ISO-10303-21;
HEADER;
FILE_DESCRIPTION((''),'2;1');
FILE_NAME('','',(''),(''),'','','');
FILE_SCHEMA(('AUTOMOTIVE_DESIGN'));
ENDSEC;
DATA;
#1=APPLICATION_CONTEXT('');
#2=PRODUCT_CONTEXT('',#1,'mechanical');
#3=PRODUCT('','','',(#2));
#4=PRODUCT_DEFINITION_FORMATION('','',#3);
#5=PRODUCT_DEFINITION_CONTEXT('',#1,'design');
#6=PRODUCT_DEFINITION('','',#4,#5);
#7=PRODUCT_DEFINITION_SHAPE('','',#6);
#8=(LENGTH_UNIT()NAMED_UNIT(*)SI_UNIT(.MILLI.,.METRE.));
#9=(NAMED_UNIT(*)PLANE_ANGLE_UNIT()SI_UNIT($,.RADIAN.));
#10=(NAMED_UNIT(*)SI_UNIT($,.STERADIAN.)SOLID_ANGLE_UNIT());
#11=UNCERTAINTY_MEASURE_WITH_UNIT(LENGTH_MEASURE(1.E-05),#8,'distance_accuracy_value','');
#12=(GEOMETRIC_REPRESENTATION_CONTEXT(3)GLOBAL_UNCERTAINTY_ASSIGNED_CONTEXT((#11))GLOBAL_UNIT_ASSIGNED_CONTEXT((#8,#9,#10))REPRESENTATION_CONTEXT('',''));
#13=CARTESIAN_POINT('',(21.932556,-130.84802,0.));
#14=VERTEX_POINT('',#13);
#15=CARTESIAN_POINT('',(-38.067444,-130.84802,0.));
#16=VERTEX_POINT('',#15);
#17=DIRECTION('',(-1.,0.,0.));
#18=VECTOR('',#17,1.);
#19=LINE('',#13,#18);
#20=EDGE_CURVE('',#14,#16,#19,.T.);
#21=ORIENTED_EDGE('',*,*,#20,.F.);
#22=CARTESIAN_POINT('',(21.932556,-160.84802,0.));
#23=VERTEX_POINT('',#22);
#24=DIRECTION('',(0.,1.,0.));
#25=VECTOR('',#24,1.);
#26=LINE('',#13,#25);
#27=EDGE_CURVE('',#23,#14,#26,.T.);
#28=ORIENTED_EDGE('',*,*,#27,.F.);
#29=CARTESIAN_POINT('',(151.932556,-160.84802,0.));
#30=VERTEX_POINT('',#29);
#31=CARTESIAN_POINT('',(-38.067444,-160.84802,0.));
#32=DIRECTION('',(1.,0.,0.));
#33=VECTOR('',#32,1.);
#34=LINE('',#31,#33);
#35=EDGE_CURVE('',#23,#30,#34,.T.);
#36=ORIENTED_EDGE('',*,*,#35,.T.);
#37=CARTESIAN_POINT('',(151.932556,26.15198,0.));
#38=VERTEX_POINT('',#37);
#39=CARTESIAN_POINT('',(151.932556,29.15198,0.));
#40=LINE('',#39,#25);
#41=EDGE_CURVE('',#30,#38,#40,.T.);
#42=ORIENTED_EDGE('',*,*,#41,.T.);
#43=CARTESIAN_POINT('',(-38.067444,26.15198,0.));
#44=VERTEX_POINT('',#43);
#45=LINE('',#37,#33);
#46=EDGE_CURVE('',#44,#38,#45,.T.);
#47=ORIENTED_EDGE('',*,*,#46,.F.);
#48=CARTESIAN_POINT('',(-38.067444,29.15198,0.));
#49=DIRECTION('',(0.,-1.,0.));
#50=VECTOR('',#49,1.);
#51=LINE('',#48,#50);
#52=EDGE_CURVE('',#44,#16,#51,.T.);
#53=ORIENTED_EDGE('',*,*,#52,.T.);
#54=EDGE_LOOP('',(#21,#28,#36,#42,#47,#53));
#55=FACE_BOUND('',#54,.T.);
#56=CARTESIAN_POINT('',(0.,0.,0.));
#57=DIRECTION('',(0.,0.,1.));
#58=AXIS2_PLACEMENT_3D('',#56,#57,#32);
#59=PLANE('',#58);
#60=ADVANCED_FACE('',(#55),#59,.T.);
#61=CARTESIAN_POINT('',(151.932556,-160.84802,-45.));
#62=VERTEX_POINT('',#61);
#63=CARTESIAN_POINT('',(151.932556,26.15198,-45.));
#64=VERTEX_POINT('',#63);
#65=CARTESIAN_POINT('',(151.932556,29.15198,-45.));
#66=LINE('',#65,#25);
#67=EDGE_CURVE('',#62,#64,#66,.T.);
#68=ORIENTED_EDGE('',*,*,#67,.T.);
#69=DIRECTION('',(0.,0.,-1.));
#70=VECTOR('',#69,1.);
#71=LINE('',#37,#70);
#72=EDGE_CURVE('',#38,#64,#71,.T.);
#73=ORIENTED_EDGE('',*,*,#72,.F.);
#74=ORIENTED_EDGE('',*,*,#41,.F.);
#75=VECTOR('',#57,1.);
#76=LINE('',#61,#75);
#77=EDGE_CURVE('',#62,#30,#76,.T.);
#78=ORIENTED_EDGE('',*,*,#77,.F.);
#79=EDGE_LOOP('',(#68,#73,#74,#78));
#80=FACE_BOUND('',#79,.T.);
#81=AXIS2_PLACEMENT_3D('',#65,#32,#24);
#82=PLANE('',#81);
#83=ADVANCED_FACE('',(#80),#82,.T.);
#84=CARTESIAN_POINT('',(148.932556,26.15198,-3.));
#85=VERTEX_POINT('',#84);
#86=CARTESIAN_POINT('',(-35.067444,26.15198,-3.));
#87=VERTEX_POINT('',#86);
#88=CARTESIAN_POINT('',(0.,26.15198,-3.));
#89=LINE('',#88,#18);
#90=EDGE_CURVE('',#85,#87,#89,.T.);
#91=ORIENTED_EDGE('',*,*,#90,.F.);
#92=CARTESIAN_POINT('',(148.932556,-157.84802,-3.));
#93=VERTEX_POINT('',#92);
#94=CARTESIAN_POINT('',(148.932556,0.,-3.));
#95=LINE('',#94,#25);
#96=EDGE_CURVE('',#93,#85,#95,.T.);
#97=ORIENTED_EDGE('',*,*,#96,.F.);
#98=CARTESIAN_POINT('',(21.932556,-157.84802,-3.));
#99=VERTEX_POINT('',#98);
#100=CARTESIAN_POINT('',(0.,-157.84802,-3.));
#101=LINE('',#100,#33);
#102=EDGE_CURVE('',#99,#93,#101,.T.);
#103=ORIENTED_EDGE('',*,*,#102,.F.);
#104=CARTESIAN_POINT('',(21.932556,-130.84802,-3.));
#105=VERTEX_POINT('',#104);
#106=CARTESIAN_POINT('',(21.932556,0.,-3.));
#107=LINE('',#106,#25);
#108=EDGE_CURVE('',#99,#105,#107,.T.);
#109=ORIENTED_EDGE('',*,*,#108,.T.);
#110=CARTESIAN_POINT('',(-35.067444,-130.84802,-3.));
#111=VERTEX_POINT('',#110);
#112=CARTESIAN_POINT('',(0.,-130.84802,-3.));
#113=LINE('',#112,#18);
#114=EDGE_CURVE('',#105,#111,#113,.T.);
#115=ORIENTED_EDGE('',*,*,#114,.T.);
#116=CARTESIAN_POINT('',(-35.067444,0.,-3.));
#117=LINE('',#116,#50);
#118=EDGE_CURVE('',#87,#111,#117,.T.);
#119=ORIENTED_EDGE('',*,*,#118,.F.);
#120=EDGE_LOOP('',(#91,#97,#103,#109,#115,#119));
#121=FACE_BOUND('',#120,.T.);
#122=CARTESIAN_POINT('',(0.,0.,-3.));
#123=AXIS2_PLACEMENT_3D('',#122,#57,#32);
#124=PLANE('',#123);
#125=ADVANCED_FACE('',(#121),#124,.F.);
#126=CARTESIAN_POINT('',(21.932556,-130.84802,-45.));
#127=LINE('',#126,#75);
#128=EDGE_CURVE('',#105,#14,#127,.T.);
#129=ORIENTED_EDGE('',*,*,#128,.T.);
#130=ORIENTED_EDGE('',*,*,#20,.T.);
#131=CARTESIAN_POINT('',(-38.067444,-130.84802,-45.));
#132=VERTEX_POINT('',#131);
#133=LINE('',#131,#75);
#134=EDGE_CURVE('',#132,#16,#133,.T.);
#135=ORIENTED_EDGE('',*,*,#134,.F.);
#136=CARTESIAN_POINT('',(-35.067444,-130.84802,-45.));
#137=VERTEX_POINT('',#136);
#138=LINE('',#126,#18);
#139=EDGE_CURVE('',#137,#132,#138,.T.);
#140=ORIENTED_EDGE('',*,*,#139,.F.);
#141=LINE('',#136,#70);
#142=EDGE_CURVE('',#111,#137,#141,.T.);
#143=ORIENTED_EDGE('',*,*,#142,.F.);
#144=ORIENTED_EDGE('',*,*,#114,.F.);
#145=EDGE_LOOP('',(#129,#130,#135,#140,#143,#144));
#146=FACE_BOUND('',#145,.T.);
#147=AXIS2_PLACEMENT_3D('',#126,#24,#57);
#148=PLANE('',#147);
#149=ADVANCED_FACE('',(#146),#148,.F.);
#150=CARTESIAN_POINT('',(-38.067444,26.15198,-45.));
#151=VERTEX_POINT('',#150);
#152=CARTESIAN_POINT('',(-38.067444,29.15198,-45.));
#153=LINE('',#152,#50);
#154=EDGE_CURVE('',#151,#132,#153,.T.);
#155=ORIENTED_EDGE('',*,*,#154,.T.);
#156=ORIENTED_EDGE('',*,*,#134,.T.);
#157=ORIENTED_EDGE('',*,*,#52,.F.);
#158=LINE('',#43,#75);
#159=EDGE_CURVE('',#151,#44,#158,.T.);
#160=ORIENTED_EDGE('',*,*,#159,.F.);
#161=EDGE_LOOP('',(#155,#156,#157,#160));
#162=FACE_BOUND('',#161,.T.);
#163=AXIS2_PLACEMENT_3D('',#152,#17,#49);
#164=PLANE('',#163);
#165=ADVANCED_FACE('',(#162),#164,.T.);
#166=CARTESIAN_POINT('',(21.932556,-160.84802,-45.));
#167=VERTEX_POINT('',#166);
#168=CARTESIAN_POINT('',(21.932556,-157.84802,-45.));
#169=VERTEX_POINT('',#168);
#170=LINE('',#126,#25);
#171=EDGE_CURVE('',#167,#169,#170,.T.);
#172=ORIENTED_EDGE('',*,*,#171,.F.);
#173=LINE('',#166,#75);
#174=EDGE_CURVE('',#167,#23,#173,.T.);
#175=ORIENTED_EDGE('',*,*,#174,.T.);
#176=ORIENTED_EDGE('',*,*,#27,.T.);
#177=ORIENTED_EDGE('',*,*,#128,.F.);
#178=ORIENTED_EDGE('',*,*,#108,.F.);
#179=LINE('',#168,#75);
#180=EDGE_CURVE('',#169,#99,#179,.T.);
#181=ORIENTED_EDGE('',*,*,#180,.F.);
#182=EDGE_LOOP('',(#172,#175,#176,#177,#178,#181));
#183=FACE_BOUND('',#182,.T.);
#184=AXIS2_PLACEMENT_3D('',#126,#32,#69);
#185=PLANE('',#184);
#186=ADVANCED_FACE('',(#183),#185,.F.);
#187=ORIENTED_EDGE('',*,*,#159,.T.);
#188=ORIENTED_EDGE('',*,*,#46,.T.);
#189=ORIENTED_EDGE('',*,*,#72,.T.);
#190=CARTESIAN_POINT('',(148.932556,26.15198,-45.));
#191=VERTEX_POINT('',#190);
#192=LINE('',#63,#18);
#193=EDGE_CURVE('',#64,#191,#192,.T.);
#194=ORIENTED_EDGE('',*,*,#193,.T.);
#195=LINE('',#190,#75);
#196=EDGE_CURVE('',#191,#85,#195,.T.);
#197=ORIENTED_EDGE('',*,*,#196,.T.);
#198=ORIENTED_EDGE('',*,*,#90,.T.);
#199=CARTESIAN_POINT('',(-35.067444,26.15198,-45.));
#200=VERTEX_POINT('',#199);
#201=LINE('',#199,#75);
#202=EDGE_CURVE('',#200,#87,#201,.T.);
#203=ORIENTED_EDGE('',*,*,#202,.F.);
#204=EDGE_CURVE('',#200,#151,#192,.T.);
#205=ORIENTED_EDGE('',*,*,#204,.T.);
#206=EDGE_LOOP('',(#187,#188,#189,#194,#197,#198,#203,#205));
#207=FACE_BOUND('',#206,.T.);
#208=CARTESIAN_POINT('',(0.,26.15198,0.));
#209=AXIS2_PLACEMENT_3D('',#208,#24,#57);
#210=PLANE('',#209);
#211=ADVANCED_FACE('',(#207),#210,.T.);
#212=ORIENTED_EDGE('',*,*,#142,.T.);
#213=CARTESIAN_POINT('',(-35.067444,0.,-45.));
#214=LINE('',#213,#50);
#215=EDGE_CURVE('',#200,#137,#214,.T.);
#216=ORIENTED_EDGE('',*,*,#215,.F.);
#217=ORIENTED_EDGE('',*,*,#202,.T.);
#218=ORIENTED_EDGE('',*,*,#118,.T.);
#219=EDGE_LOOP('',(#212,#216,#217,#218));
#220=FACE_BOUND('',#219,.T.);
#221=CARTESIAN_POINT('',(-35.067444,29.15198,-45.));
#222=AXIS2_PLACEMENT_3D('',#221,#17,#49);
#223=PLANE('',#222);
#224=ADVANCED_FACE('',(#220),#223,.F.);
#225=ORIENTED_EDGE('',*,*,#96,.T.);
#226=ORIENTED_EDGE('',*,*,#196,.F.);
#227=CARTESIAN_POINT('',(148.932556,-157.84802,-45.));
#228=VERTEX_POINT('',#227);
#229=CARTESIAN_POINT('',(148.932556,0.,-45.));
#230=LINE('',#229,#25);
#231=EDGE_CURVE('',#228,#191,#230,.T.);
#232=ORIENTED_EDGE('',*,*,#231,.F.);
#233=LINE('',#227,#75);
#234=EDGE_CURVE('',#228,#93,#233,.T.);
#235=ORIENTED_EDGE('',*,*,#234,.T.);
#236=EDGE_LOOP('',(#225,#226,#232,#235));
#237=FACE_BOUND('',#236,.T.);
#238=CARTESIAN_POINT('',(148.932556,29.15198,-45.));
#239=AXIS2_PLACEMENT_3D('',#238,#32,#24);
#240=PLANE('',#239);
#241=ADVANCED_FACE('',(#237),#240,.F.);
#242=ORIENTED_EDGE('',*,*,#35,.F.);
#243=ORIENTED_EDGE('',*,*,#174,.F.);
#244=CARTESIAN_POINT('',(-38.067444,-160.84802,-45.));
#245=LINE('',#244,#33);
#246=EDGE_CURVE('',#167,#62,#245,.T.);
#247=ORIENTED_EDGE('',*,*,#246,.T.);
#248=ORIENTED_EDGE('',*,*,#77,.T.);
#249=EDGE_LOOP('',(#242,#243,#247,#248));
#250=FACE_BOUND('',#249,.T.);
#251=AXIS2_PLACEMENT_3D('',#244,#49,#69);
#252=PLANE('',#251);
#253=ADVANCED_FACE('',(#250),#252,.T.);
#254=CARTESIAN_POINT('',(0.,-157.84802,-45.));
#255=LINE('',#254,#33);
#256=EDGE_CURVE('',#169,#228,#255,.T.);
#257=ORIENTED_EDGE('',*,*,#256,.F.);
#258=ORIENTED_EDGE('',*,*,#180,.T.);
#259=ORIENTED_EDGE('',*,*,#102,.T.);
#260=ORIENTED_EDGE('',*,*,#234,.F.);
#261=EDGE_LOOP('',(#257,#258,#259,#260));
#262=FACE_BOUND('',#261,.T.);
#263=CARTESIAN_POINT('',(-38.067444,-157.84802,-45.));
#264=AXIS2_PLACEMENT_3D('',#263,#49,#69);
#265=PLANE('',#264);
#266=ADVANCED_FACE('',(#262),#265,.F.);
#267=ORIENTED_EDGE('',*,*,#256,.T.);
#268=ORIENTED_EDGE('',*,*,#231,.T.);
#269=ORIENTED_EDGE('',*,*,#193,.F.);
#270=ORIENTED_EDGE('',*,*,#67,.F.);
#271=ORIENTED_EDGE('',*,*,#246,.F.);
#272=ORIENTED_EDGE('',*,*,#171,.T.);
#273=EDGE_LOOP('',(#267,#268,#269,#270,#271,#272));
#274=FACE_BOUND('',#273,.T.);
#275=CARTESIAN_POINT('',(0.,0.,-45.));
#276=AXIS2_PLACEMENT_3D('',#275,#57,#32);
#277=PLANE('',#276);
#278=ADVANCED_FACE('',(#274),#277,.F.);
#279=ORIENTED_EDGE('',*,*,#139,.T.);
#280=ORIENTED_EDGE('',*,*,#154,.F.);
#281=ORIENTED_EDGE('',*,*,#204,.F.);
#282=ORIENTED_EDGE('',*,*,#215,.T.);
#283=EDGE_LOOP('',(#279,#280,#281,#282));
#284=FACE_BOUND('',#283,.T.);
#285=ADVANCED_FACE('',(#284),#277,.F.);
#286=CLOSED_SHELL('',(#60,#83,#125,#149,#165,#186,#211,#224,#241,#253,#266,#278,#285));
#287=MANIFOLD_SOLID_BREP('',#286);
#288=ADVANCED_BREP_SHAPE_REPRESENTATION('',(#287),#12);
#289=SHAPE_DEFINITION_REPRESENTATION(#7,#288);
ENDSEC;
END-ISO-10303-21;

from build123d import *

# Parameters (mm, degrees)
CROQUIS1_W              = 190
CROQUIS1_H              = 190
SALIENTE_EXTRUIR1_DEPTH = 45
VACIADO1_T              = -3
CROQUIS4_W              = 60
CROQUIS4_H              = 30
CORTAR_EXTRUIR1_DEPTH   = 226.78881097
CROQUIS7_W              = 190
CROQUIS7_H              = 45
CORTAR_EXTRUIR2_DEPTH   = 3


with BuildPart() as part:
    # Croquis1 → Saliente-Extruir1 (new body)
    with BuildSketch(Plane.XY):
        with Locations((56.932555838, -65.848020305)):
            Rectangle(CROQUIS1_W, CROQUIS1_H)
    extrude(amount=-SALIENTE_EXTRUIR1_DEPTH)

    # Vaciado1
    vaciado1_openings = [part.faces().sort_by_distance(p)[0] for p in [
        (56.932555838, -65.848020305, -45),
    ]]
    offset(amount=VACIADO1_T, openings=vaciado1_openings, kind=Kind.INTERSECTION)

    # Croquis4 → Cortar-Extruir1 (cut, through all)
    with BuildSketch(Plane.XY):
        with Locations((-8.067444162, -145.848020305)):
            Rectangle(CROQUIS4_W, CROQUIS4_H)
    extrude(amount=-CORTAR_EXTRUIR1_DEPTH, mode=Mode.SUBTRACT)

    # Croquis7 → Cortar-Extruir2 (cut)
    with BuildSketch(Plane(origin=(0, 29.151979695, 0), x_dir=(1, 0, 0), z_dir=(0, 1, 0))):
        with Locations((56.932555838, 22.5)):
            Rectangle(CROQUIS7_W, CROQUIS7_H)
    extrude(amount=-CORTAR_EXTRUIR2_DEPTH, mode=Mode.SUBTRACT)


solid = part.part
